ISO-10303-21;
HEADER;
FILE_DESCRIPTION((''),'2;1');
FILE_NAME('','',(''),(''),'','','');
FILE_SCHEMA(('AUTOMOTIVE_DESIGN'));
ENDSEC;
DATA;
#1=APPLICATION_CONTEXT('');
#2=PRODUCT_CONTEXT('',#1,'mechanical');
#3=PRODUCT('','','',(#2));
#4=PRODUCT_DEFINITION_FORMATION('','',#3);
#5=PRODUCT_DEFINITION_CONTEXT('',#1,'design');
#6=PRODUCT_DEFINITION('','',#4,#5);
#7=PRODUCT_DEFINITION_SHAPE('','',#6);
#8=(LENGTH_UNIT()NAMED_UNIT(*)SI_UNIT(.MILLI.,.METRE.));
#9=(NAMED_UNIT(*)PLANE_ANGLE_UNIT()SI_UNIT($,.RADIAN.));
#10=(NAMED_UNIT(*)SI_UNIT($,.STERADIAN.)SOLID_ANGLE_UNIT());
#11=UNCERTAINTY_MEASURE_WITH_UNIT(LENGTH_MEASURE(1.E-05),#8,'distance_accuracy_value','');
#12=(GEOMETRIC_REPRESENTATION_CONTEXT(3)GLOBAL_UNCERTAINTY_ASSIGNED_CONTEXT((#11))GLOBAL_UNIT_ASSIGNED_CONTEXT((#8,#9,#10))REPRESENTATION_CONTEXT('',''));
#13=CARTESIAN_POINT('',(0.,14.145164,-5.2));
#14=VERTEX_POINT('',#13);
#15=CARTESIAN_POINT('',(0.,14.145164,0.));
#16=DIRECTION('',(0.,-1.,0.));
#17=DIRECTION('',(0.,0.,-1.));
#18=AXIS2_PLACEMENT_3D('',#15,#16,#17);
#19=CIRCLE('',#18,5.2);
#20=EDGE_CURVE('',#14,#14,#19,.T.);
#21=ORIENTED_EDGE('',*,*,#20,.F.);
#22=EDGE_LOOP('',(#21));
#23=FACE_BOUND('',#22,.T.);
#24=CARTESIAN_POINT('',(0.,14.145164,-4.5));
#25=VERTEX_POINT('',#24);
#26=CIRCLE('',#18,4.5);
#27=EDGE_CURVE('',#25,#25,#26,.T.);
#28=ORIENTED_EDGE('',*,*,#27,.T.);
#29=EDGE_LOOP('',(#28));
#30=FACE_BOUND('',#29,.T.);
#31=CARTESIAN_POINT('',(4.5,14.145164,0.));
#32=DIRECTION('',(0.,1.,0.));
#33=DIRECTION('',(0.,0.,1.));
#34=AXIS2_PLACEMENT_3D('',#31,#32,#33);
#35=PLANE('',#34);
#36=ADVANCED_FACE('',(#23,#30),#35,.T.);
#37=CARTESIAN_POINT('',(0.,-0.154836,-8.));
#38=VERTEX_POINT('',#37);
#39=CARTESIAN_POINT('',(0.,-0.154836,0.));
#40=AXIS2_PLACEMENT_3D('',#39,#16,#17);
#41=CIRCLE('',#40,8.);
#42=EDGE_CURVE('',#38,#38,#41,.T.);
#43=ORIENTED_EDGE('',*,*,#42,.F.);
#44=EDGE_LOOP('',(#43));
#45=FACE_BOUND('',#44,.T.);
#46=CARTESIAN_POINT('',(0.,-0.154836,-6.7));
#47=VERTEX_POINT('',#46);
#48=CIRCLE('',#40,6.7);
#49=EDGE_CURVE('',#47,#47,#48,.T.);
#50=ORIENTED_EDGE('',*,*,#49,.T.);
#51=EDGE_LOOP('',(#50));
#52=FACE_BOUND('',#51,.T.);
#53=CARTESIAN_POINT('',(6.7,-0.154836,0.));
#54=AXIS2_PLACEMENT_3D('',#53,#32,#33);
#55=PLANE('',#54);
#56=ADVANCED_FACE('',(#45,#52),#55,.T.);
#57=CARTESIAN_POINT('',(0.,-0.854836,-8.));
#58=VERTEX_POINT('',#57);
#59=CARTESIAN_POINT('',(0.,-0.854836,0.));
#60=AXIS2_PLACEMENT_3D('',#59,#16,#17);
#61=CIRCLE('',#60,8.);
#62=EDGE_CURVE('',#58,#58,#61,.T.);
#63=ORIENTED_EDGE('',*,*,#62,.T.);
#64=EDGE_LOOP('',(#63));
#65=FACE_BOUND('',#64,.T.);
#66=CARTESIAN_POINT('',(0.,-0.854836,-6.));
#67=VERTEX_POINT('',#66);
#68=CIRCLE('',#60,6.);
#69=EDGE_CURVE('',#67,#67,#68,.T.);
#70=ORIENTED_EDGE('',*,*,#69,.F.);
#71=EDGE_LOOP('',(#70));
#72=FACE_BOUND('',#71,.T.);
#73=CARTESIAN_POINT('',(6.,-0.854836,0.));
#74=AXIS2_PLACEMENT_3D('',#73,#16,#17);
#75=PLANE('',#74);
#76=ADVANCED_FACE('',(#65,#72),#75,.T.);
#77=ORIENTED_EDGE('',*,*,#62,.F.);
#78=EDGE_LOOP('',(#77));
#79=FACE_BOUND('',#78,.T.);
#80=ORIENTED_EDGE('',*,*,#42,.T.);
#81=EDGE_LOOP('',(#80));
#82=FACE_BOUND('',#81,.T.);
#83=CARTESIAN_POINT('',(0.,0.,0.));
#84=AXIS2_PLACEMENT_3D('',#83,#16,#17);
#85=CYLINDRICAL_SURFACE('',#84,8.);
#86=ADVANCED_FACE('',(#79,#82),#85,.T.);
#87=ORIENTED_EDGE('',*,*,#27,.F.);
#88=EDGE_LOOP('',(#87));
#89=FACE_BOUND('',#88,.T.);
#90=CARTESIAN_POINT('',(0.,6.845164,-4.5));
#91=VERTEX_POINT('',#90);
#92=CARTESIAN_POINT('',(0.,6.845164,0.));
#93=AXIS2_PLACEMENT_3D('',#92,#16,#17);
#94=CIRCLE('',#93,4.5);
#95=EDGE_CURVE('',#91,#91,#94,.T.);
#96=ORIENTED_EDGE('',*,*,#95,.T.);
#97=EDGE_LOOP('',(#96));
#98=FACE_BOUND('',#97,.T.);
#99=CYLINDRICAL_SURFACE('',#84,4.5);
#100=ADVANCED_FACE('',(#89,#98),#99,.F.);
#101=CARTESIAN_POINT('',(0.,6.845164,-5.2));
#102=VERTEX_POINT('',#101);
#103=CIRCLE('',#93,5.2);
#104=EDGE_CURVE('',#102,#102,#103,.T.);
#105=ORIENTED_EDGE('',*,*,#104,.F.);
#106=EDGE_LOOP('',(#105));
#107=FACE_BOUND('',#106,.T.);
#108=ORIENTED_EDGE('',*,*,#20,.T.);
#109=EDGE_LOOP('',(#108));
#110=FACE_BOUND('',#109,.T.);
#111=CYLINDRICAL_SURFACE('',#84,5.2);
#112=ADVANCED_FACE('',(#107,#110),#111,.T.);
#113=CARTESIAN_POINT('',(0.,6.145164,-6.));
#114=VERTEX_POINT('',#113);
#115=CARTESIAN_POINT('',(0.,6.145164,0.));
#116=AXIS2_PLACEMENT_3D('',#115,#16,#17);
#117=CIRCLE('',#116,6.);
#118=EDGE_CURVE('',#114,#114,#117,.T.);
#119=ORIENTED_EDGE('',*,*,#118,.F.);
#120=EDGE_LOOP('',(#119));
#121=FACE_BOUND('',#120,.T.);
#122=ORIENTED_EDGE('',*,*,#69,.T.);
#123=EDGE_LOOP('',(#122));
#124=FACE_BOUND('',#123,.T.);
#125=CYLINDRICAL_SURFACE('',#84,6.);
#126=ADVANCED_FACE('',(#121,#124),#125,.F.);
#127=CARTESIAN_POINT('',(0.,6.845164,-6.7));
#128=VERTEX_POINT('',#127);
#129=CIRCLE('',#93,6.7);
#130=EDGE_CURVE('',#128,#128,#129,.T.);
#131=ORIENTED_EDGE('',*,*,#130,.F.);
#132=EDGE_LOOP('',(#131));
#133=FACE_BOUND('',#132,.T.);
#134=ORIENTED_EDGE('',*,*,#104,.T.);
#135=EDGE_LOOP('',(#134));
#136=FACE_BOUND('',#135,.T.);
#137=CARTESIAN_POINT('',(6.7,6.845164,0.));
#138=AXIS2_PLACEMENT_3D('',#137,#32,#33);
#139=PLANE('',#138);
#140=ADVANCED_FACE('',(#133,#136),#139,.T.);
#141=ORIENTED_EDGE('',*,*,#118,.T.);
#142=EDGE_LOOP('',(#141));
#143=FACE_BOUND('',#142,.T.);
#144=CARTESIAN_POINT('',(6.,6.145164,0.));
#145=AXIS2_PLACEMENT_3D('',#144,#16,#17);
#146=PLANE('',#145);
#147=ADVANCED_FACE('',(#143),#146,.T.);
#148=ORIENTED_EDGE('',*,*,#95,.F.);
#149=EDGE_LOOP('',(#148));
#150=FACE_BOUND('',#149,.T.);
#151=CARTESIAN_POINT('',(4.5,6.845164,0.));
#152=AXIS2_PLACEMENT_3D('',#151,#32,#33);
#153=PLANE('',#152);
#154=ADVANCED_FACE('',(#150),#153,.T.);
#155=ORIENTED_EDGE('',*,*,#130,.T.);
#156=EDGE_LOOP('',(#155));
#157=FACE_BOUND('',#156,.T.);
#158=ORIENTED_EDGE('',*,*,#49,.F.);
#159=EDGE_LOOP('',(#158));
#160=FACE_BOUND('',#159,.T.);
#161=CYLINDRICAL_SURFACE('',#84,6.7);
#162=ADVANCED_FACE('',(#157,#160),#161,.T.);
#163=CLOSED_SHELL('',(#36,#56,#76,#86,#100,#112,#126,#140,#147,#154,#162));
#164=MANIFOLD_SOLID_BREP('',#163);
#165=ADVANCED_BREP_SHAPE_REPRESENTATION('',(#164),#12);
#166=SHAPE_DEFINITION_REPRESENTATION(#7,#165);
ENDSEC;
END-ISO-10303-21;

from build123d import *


with BuildPart() as part:
    # Sketch1 → Revolve1 (revolve)
    with BuildSketch(Plane.XY):
        Polygon((6, -0.854835863), (6, 6.145164137), (0, 6.145164137), (0, 6.845164137), (4.5, 6.845164137), (4.5, 14.145164137), (5.2, 14.145164137), (5.2, 6.845164137), (6.7, 6.845164137), (6.7, -0.154835863), (8, -0.154835863), (8, -0.854835863), align=None)
    revolve(axis=Axis((0, 0, 0), (0, 1, 0)))


solid = part.part
